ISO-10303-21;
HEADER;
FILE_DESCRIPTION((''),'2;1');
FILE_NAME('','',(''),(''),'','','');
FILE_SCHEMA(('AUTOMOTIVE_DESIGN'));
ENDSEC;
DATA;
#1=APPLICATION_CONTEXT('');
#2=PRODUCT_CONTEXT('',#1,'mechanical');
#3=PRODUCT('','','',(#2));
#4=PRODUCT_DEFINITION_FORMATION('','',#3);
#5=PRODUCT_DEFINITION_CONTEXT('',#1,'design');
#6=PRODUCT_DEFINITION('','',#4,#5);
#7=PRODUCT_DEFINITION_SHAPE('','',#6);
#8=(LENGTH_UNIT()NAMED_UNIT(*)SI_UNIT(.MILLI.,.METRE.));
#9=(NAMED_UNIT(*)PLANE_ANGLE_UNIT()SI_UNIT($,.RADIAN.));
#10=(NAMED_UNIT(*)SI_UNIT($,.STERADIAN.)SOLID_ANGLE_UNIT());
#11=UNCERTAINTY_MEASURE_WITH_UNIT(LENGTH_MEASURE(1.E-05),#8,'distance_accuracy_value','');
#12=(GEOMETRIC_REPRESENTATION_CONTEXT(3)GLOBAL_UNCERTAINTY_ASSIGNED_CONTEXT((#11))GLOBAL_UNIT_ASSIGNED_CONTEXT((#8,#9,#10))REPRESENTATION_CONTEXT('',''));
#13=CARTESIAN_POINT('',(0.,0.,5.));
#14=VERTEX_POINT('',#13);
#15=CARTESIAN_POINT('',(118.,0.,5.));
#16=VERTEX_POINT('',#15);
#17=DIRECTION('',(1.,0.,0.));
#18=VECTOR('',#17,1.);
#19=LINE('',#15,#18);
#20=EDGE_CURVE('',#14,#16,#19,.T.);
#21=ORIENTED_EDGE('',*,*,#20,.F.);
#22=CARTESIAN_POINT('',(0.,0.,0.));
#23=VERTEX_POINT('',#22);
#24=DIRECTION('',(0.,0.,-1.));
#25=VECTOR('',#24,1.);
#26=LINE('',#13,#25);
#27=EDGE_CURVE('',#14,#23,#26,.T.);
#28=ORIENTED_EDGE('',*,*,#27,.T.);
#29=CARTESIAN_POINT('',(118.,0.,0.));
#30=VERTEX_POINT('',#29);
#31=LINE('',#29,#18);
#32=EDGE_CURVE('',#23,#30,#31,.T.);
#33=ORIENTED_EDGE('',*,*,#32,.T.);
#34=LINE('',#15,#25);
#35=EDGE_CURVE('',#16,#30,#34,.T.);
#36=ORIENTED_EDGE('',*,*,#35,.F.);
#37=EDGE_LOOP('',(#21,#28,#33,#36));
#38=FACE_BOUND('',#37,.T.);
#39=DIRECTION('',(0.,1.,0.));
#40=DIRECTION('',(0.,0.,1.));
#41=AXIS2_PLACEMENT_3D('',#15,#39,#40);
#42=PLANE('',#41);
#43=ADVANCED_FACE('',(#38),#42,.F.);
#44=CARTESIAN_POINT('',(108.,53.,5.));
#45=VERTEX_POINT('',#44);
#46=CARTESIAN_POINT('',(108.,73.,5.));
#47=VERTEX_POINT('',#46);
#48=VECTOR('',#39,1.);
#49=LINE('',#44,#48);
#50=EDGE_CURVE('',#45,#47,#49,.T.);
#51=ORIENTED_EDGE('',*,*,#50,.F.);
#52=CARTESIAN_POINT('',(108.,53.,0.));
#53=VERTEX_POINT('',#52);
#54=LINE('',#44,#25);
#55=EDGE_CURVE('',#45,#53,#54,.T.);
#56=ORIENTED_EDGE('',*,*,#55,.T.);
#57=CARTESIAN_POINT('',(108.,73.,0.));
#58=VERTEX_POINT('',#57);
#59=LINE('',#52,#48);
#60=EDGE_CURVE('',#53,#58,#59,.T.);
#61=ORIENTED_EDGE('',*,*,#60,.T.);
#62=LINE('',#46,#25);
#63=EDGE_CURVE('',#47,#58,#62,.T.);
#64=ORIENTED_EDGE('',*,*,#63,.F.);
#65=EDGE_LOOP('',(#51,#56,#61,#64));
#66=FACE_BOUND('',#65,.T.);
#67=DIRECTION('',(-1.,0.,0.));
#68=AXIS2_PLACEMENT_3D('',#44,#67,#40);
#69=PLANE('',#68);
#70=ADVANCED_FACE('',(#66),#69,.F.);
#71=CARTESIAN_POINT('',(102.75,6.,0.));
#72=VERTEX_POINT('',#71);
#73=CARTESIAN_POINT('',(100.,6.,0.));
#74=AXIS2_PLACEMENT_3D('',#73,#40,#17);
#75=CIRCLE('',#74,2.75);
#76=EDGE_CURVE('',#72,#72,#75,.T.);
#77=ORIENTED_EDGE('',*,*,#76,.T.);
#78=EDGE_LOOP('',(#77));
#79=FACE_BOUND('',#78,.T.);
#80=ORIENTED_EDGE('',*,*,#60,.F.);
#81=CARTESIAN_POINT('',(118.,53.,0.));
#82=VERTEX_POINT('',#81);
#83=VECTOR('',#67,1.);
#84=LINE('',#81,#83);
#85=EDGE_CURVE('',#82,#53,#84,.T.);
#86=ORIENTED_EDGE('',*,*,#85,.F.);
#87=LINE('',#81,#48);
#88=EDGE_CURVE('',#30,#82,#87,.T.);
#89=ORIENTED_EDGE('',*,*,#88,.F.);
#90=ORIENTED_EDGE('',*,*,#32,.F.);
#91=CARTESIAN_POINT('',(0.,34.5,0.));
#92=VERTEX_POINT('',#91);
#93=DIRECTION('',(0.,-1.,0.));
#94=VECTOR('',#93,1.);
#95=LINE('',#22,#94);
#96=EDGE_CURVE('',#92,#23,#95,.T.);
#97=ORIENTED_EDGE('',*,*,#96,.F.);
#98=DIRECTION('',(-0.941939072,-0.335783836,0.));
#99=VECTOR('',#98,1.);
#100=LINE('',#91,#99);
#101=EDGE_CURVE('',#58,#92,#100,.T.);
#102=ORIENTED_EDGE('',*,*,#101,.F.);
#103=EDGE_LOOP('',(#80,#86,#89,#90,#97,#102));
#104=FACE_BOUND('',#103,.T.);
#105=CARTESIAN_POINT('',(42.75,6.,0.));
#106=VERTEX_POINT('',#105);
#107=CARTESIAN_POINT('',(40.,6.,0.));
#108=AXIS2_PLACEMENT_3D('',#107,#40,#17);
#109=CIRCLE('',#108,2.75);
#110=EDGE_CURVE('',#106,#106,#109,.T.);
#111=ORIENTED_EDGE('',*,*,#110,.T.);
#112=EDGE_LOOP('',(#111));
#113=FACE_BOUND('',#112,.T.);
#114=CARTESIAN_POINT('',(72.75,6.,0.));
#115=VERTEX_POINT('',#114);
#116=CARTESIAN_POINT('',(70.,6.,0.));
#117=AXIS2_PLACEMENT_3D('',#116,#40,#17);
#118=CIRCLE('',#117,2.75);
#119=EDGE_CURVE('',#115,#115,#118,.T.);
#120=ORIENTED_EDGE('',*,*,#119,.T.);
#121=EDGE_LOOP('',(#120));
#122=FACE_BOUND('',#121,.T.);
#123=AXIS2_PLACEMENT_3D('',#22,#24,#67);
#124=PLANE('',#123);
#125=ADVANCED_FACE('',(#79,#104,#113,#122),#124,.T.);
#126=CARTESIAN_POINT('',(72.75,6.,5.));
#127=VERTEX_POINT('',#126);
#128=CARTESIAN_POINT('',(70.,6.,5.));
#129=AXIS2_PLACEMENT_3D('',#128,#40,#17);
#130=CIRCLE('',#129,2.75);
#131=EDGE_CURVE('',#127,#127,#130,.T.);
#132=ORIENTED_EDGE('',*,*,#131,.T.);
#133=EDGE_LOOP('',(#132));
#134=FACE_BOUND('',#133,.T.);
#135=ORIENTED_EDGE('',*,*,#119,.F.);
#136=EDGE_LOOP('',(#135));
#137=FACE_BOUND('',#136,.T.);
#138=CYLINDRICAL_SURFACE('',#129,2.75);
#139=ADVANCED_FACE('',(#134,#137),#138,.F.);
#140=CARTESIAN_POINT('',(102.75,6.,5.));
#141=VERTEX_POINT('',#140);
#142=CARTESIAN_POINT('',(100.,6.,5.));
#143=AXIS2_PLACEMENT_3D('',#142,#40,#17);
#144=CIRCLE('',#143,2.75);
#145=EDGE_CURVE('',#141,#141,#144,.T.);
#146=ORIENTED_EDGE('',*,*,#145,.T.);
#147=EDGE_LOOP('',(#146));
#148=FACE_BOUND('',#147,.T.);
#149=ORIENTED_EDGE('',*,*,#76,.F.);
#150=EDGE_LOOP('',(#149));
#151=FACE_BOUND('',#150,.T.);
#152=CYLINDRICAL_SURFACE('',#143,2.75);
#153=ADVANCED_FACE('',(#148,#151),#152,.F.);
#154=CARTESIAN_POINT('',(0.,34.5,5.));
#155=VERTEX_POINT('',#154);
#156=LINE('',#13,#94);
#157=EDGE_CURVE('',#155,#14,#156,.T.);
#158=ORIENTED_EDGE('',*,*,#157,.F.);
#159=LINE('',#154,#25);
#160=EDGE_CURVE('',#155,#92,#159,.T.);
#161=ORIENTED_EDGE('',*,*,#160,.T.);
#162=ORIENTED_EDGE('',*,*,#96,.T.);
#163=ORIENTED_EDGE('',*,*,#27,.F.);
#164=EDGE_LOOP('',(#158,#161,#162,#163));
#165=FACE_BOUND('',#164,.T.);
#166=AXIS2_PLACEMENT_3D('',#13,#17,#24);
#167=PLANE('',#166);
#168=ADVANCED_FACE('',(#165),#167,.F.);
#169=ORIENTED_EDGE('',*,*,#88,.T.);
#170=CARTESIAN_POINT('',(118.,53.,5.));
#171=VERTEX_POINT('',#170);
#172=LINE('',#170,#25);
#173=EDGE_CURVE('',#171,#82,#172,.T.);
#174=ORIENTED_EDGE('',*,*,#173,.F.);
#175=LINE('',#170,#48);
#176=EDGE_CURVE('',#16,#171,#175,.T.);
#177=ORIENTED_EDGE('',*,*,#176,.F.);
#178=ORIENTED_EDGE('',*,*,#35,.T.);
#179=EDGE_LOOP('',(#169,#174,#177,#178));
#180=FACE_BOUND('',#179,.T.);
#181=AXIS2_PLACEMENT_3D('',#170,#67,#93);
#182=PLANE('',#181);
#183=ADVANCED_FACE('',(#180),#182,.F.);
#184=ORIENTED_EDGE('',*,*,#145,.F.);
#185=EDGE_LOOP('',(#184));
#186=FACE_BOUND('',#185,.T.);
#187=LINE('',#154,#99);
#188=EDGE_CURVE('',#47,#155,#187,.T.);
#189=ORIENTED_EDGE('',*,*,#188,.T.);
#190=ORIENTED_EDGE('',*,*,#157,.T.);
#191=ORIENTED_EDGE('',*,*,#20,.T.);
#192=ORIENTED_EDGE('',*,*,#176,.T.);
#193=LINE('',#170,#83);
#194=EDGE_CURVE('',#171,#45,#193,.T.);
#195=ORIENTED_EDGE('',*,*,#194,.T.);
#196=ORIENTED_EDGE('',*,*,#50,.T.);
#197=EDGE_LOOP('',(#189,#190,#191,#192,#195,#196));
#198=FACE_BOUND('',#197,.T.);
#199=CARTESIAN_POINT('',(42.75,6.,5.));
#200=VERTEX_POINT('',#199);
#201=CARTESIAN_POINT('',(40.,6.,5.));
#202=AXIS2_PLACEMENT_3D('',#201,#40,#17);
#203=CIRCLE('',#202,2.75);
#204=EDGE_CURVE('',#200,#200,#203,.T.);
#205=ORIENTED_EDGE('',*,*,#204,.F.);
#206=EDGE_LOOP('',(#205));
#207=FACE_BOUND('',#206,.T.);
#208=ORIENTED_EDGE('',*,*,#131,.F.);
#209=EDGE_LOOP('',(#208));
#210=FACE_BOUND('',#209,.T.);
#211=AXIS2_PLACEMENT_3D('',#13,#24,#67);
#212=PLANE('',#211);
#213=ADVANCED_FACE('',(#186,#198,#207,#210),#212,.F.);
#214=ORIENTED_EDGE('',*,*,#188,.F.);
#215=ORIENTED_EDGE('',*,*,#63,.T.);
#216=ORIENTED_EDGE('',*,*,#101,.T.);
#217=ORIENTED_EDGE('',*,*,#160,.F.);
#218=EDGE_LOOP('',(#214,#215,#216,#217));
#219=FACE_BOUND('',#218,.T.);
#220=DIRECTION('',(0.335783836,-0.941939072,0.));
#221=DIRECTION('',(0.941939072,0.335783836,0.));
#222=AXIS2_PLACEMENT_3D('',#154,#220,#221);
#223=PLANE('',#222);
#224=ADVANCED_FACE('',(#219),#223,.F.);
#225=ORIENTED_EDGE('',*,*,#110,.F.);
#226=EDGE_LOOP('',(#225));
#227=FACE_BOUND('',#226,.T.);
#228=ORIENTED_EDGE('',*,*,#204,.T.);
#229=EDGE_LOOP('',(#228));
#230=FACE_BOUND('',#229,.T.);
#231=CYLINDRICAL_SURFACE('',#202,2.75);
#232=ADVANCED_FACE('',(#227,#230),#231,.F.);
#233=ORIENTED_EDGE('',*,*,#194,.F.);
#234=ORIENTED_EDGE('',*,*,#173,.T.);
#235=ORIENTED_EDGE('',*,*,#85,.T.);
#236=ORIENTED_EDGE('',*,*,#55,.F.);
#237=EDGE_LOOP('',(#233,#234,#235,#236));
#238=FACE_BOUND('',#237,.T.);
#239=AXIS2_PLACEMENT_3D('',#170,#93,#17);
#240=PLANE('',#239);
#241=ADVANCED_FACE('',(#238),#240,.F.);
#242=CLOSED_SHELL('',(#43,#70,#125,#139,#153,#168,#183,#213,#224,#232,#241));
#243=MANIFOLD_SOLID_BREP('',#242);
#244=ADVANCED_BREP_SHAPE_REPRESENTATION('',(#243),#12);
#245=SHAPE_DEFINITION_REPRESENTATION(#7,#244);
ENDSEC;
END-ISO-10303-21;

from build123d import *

# Parameters (mm, degrees)
RESSALTO_EXTRUS_O1_DEPTH = 5
FURO_COM_FOLGA_DE_M51_D  = 5.5


with BuildPart() as part:
    # Esboço1 → Ressalto-extrusão1 (new body)
    with BuildSketch(Plane.XY):
        Polygon((0, 0), (0, 34.5), (108, 73), (108, 53), (118, 53), (118, 0), align=None)
    extrude(amount=RESSALTO_EXTRUS_O1_DEPTH)

    # Furo com folga de M51 (through all)
    with Locations(Plane.XY.offset(5)):
        with Locations((100, 6), (70, 6), (40, 6)):
            Hole(FURO_COM_FOLGA_DE_M51_D / 2)


solid = part.part
